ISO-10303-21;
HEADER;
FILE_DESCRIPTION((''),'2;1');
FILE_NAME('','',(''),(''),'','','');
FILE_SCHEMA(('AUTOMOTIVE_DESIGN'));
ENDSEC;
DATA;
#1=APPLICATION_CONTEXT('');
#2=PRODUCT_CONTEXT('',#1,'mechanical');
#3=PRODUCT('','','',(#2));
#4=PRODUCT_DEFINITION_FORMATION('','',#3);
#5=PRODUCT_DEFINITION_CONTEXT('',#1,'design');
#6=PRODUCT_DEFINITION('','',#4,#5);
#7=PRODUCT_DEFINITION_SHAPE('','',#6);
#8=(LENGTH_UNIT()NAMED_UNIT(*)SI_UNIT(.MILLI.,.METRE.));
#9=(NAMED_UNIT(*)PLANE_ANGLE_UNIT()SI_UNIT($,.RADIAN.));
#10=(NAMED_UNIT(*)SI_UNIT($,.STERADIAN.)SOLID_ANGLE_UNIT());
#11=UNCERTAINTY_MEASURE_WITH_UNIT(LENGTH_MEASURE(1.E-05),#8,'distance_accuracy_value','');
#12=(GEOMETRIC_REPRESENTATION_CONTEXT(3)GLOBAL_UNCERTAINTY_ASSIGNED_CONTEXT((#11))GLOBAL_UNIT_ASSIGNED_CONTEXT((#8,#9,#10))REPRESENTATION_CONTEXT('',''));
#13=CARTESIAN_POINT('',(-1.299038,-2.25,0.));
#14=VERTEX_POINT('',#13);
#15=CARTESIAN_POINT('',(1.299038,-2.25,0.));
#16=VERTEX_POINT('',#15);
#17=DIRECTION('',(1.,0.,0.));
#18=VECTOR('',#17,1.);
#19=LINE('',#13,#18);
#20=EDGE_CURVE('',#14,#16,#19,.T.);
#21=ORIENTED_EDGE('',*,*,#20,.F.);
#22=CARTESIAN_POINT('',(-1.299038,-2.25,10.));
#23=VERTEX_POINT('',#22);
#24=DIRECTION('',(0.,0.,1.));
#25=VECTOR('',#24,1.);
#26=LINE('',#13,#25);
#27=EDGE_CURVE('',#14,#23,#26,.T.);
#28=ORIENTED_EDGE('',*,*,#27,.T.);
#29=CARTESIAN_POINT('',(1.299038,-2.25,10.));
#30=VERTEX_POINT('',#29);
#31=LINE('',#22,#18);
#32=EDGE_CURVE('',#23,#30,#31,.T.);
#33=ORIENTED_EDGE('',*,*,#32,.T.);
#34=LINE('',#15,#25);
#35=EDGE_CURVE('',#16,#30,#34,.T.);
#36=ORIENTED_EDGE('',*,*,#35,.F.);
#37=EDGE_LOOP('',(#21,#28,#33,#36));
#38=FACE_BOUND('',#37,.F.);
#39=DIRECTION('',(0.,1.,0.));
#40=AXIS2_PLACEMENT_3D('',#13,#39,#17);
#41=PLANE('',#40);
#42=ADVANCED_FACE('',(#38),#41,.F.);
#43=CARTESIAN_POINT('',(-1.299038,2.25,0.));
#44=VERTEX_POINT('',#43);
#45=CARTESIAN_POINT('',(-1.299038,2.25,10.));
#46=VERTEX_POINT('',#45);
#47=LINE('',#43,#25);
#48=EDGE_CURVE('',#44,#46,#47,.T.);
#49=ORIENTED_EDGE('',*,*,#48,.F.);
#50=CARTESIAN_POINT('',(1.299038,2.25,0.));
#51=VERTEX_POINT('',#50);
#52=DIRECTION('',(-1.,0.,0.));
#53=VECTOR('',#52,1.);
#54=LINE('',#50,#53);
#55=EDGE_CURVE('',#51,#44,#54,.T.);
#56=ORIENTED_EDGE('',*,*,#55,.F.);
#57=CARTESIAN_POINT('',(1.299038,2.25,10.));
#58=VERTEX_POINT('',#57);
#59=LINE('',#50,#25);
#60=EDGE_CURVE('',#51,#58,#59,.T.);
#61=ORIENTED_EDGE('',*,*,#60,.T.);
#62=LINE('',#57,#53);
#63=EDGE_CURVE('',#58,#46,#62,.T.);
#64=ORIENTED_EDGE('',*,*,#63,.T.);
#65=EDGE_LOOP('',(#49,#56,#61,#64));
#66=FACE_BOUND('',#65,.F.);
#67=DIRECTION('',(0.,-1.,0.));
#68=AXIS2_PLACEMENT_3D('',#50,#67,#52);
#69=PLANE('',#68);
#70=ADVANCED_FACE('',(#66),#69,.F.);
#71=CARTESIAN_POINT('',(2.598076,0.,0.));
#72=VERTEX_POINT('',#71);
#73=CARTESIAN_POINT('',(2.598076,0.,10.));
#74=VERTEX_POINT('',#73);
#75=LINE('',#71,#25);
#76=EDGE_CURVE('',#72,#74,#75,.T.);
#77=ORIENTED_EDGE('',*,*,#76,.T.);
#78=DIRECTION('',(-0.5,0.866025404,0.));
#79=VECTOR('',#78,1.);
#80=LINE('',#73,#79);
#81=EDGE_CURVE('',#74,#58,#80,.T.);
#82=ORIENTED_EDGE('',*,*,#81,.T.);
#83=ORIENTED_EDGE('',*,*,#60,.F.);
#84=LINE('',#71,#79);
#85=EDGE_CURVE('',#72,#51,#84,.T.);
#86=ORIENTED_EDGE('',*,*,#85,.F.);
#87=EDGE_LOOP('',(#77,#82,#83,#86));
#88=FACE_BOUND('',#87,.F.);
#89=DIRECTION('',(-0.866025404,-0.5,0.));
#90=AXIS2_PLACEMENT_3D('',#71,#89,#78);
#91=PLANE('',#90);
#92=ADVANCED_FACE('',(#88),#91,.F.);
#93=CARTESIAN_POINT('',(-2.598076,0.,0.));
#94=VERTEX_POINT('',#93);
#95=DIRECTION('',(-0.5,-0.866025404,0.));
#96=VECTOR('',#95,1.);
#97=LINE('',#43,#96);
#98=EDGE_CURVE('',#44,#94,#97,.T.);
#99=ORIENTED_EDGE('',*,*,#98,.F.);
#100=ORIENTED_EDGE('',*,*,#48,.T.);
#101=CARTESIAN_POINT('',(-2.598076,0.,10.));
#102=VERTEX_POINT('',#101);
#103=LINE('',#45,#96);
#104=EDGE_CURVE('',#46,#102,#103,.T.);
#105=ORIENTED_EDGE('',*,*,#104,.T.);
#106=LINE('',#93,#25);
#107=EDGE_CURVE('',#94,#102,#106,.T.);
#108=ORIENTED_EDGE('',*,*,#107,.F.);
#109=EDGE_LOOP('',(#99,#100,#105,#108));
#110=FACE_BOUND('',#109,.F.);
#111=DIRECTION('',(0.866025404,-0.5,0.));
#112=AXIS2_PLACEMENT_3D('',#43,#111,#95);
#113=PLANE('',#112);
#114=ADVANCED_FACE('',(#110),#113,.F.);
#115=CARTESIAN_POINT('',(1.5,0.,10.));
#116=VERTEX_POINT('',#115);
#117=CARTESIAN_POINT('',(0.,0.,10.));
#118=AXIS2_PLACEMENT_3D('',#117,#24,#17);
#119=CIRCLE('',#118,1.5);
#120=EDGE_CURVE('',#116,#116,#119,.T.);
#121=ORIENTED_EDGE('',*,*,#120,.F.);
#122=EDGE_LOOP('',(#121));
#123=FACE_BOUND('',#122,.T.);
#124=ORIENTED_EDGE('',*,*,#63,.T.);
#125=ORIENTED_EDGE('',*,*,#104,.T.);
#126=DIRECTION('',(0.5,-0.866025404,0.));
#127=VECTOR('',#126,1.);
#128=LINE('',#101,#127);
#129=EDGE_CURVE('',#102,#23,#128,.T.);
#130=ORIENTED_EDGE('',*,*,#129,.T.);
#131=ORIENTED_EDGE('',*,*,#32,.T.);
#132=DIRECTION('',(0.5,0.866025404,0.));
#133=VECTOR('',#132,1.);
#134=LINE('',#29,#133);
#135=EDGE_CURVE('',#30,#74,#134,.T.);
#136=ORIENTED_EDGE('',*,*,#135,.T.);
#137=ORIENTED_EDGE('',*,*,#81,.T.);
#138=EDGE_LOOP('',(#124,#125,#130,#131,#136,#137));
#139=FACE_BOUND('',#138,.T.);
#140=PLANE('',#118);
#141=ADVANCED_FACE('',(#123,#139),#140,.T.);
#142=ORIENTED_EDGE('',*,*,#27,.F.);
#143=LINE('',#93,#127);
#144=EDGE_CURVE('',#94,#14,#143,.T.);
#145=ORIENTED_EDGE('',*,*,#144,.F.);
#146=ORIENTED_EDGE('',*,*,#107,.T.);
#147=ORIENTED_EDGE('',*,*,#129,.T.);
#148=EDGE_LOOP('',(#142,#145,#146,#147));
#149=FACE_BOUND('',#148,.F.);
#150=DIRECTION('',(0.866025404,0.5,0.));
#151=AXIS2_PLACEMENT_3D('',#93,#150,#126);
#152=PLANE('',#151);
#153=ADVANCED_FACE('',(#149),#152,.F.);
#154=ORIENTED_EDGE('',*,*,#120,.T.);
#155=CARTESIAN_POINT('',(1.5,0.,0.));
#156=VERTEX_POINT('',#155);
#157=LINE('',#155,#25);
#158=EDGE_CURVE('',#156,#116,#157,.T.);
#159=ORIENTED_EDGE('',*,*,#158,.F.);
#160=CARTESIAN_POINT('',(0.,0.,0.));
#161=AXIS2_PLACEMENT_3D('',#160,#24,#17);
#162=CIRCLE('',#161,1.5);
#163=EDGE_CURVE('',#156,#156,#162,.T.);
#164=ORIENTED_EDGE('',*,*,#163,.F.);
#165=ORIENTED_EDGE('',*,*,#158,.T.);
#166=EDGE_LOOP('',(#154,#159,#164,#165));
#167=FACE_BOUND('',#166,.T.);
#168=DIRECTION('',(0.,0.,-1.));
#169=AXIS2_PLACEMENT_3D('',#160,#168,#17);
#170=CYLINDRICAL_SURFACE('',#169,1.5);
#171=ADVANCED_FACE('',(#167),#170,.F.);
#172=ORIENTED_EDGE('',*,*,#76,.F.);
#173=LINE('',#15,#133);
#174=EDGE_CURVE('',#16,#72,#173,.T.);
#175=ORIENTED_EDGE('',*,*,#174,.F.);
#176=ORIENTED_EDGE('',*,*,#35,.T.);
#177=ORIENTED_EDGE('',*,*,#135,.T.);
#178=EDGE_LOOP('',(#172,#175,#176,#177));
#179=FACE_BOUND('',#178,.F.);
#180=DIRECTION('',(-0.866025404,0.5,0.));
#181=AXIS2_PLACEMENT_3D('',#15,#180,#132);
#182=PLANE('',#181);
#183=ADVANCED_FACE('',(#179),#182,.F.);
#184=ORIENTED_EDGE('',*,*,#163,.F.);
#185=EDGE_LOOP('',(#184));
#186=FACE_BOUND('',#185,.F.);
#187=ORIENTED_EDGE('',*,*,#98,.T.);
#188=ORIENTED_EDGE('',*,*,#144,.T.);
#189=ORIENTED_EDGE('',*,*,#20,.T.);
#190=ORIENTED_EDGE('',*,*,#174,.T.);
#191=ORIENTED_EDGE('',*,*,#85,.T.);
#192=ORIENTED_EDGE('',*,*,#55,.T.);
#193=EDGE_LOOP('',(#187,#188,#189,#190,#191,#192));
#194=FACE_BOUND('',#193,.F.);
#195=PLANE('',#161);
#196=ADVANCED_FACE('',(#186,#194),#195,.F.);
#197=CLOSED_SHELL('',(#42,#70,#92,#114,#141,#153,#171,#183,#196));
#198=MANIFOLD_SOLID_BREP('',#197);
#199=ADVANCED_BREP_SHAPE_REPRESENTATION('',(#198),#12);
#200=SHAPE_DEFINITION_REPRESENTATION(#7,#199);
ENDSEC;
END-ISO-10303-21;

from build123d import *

# Parameters (mm, degrees)
ESQUISSE1_R        = 1.5
BOSS_EXTRU_1_DEPTH = 10


with BuildPart() as part:
    # Esquisse1 → Boss.-Extru.1 (new body)
    with BuildSketch(Plane.XY):
        Polygon((2.598076211, 0), (1.299038106, 2.25), (-1.299038106, 2.25), (-2.598076211, 0), (-1.299038106, -2.25), (1.299038106, -2.25), align=None)
        Circle(ESQUISSE1_R, mode=Mode.SUBTRACT)
    extrude(amount=BOSS_EXTRU_1_DEPTH)


solid = part.part
